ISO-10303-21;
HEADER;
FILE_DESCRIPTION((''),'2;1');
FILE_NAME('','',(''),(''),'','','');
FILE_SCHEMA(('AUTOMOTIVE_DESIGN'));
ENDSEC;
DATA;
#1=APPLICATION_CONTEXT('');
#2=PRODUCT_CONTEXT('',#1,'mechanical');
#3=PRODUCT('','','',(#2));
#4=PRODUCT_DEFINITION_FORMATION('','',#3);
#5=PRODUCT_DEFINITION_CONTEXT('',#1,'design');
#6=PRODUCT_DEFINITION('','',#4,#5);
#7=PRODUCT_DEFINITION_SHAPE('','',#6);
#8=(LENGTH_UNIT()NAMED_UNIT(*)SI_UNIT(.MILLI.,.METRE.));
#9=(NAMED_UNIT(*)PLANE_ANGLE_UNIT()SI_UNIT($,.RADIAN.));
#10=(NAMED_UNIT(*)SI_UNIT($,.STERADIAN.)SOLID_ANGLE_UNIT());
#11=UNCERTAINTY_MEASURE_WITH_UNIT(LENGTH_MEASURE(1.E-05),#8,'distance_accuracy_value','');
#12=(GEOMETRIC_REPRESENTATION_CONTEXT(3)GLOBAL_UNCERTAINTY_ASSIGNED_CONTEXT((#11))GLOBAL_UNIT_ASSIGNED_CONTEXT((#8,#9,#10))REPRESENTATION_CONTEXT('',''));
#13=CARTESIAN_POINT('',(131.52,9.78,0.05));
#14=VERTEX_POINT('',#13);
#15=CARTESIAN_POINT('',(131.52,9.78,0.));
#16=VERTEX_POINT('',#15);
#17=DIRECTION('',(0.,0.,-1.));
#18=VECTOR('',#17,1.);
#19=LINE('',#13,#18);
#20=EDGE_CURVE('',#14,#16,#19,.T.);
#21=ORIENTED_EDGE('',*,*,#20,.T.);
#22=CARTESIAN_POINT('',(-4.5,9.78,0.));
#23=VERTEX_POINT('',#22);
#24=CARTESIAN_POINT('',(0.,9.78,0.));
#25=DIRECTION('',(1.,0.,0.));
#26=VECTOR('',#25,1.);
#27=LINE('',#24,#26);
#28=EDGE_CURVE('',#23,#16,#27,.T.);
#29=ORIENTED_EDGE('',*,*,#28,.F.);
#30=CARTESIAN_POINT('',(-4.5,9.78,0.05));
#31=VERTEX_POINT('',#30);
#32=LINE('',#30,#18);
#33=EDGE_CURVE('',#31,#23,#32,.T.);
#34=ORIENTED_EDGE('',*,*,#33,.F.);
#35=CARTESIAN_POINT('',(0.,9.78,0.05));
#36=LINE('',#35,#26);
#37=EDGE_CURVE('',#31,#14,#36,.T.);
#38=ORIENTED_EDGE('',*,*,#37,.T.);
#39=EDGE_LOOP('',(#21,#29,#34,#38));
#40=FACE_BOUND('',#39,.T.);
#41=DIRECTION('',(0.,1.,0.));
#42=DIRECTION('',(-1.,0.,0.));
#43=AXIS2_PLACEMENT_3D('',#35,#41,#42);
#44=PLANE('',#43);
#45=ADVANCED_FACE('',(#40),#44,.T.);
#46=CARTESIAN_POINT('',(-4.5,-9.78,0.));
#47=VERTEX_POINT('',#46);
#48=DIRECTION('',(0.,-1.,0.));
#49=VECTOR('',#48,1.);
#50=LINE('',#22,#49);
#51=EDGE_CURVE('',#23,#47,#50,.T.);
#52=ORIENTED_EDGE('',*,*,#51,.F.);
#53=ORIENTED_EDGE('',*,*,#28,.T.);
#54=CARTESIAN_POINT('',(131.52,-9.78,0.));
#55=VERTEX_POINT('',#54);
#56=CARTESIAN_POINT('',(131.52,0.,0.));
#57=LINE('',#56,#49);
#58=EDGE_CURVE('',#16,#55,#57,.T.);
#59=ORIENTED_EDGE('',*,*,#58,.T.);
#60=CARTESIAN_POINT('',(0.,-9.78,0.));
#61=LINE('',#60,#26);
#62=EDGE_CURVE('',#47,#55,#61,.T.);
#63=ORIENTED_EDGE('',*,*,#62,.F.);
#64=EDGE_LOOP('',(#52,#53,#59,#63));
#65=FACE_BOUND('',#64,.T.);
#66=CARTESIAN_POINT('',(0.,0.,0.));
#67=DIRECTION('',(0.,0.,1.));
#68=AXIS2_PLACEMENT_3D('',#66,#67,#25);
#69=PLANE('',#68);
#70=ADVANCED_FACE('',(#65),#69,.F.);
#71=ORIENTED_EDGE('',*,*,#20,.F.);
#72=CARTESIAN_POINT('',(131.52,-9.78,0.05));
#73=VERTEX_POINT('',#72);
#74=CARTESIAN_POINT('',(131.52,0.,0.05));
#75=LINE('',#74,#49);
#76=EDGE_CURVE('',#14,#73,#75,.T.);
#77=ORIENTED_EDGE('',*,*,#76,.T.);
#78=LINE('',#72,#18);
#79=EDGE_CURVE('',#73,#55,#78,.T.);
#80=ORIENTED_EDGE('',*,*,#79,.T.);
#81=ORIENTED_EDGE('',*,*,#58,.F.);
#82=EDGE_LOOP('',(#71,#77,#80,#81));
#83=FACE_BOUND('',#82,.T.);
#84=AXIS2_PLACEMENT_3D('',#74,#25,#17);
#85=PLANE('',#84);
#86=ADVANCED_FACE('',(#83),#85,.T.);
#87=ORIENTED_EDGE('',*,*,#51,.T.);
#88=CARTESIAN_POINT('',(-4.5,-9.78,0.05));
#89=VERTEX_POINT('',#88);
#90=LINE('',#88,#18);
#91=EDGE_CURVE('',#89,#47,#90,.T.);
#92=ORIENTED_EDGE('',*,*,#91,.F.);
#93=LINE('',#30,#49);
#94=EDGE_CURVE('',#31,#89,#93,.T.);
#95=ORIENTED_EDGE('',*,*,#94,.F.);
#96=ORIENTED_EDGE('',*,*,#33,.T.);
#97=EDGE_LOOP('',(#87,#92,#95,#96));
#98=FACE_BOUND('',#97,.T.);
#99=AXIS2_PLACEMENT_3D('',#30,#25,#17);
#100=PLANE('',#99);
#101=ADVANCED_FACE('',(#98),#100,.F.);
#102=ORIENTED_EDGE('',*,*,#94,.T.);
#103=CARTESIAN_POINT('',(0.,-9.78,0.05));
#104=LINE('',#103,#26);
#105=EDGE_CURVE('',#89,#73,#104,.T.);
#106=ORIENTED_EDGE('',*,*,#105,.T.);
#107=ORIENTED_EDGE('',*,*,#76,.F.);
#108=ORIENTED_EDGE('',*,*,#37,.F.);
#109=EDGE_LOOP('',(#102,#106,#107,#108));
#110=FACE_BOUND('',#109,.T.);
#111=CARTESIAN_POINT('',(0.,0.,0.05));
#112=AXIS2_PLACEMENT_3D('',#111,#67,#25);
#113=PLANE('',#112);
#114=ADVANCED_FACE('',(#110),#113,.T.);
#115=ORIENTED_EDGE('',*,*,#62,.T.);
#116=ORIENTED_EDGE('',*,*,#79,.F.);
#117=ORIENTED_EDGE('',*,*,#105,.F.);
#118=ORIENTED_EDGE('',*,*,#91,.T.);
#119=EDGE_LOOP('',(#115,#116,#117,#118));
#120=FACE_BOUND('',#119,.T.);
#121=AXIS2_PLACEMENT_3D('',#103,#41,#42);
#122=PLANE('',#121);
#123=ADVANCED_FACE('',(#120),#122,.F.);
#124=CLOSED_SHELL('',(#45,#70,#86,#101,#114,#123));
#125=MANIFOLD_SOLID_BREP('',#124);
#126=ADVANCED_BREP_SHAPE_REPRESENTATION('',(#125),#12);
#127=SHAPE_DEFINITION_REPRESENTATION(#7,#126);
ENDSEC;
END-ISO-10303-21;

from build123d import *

# Parameters (mm, degrees)
SKETCH3_W           = 21.67
SKETCH3_H           = 19.56
SKETCH3_W_2         = 1.5
SKETCH3_W_3         = 4.5
BOSS_EXTRUDE1_DEPTH = 0.05


with BuildPart() as part:
    # Sketch3 → Boss-Extrude1 (new body)
    with BuildSketch(Plane.XY):
        with Locations((10.835, 0)):
            Rectangle(SKETCH3_W, SKETCH3_H)
        with Locations((32.505, 0)):
            Rectangle(SKETCH3_W, SKETCH3_H)
        with Locations((54.175, 0)):
            Rectangle(SKETCH3_W, SKETCH3_H)
        with Locations((75.845, 0)):
            Rectangle(SKETCH3_W, SKETCH3_H)
        with Locations((97.515, 0)):
            Rectangle(SKETCH3_W, SKETCH3_H)
        with Locations((119.185, 0)):
            Rectangle(SKETCH3_W, SKETCH3_H)
        with Locations((130.77, 0)):
            Rectangle(SKETCH3_W_2, SKETCH3_H)
        with Locations((-2.25, 0)):
            Rectangle(SKETCH3_W_3, SKETCH3_H)
    extrude(amount=BOSS_EXTRUDE1_DEPTH)


solid = part.part
